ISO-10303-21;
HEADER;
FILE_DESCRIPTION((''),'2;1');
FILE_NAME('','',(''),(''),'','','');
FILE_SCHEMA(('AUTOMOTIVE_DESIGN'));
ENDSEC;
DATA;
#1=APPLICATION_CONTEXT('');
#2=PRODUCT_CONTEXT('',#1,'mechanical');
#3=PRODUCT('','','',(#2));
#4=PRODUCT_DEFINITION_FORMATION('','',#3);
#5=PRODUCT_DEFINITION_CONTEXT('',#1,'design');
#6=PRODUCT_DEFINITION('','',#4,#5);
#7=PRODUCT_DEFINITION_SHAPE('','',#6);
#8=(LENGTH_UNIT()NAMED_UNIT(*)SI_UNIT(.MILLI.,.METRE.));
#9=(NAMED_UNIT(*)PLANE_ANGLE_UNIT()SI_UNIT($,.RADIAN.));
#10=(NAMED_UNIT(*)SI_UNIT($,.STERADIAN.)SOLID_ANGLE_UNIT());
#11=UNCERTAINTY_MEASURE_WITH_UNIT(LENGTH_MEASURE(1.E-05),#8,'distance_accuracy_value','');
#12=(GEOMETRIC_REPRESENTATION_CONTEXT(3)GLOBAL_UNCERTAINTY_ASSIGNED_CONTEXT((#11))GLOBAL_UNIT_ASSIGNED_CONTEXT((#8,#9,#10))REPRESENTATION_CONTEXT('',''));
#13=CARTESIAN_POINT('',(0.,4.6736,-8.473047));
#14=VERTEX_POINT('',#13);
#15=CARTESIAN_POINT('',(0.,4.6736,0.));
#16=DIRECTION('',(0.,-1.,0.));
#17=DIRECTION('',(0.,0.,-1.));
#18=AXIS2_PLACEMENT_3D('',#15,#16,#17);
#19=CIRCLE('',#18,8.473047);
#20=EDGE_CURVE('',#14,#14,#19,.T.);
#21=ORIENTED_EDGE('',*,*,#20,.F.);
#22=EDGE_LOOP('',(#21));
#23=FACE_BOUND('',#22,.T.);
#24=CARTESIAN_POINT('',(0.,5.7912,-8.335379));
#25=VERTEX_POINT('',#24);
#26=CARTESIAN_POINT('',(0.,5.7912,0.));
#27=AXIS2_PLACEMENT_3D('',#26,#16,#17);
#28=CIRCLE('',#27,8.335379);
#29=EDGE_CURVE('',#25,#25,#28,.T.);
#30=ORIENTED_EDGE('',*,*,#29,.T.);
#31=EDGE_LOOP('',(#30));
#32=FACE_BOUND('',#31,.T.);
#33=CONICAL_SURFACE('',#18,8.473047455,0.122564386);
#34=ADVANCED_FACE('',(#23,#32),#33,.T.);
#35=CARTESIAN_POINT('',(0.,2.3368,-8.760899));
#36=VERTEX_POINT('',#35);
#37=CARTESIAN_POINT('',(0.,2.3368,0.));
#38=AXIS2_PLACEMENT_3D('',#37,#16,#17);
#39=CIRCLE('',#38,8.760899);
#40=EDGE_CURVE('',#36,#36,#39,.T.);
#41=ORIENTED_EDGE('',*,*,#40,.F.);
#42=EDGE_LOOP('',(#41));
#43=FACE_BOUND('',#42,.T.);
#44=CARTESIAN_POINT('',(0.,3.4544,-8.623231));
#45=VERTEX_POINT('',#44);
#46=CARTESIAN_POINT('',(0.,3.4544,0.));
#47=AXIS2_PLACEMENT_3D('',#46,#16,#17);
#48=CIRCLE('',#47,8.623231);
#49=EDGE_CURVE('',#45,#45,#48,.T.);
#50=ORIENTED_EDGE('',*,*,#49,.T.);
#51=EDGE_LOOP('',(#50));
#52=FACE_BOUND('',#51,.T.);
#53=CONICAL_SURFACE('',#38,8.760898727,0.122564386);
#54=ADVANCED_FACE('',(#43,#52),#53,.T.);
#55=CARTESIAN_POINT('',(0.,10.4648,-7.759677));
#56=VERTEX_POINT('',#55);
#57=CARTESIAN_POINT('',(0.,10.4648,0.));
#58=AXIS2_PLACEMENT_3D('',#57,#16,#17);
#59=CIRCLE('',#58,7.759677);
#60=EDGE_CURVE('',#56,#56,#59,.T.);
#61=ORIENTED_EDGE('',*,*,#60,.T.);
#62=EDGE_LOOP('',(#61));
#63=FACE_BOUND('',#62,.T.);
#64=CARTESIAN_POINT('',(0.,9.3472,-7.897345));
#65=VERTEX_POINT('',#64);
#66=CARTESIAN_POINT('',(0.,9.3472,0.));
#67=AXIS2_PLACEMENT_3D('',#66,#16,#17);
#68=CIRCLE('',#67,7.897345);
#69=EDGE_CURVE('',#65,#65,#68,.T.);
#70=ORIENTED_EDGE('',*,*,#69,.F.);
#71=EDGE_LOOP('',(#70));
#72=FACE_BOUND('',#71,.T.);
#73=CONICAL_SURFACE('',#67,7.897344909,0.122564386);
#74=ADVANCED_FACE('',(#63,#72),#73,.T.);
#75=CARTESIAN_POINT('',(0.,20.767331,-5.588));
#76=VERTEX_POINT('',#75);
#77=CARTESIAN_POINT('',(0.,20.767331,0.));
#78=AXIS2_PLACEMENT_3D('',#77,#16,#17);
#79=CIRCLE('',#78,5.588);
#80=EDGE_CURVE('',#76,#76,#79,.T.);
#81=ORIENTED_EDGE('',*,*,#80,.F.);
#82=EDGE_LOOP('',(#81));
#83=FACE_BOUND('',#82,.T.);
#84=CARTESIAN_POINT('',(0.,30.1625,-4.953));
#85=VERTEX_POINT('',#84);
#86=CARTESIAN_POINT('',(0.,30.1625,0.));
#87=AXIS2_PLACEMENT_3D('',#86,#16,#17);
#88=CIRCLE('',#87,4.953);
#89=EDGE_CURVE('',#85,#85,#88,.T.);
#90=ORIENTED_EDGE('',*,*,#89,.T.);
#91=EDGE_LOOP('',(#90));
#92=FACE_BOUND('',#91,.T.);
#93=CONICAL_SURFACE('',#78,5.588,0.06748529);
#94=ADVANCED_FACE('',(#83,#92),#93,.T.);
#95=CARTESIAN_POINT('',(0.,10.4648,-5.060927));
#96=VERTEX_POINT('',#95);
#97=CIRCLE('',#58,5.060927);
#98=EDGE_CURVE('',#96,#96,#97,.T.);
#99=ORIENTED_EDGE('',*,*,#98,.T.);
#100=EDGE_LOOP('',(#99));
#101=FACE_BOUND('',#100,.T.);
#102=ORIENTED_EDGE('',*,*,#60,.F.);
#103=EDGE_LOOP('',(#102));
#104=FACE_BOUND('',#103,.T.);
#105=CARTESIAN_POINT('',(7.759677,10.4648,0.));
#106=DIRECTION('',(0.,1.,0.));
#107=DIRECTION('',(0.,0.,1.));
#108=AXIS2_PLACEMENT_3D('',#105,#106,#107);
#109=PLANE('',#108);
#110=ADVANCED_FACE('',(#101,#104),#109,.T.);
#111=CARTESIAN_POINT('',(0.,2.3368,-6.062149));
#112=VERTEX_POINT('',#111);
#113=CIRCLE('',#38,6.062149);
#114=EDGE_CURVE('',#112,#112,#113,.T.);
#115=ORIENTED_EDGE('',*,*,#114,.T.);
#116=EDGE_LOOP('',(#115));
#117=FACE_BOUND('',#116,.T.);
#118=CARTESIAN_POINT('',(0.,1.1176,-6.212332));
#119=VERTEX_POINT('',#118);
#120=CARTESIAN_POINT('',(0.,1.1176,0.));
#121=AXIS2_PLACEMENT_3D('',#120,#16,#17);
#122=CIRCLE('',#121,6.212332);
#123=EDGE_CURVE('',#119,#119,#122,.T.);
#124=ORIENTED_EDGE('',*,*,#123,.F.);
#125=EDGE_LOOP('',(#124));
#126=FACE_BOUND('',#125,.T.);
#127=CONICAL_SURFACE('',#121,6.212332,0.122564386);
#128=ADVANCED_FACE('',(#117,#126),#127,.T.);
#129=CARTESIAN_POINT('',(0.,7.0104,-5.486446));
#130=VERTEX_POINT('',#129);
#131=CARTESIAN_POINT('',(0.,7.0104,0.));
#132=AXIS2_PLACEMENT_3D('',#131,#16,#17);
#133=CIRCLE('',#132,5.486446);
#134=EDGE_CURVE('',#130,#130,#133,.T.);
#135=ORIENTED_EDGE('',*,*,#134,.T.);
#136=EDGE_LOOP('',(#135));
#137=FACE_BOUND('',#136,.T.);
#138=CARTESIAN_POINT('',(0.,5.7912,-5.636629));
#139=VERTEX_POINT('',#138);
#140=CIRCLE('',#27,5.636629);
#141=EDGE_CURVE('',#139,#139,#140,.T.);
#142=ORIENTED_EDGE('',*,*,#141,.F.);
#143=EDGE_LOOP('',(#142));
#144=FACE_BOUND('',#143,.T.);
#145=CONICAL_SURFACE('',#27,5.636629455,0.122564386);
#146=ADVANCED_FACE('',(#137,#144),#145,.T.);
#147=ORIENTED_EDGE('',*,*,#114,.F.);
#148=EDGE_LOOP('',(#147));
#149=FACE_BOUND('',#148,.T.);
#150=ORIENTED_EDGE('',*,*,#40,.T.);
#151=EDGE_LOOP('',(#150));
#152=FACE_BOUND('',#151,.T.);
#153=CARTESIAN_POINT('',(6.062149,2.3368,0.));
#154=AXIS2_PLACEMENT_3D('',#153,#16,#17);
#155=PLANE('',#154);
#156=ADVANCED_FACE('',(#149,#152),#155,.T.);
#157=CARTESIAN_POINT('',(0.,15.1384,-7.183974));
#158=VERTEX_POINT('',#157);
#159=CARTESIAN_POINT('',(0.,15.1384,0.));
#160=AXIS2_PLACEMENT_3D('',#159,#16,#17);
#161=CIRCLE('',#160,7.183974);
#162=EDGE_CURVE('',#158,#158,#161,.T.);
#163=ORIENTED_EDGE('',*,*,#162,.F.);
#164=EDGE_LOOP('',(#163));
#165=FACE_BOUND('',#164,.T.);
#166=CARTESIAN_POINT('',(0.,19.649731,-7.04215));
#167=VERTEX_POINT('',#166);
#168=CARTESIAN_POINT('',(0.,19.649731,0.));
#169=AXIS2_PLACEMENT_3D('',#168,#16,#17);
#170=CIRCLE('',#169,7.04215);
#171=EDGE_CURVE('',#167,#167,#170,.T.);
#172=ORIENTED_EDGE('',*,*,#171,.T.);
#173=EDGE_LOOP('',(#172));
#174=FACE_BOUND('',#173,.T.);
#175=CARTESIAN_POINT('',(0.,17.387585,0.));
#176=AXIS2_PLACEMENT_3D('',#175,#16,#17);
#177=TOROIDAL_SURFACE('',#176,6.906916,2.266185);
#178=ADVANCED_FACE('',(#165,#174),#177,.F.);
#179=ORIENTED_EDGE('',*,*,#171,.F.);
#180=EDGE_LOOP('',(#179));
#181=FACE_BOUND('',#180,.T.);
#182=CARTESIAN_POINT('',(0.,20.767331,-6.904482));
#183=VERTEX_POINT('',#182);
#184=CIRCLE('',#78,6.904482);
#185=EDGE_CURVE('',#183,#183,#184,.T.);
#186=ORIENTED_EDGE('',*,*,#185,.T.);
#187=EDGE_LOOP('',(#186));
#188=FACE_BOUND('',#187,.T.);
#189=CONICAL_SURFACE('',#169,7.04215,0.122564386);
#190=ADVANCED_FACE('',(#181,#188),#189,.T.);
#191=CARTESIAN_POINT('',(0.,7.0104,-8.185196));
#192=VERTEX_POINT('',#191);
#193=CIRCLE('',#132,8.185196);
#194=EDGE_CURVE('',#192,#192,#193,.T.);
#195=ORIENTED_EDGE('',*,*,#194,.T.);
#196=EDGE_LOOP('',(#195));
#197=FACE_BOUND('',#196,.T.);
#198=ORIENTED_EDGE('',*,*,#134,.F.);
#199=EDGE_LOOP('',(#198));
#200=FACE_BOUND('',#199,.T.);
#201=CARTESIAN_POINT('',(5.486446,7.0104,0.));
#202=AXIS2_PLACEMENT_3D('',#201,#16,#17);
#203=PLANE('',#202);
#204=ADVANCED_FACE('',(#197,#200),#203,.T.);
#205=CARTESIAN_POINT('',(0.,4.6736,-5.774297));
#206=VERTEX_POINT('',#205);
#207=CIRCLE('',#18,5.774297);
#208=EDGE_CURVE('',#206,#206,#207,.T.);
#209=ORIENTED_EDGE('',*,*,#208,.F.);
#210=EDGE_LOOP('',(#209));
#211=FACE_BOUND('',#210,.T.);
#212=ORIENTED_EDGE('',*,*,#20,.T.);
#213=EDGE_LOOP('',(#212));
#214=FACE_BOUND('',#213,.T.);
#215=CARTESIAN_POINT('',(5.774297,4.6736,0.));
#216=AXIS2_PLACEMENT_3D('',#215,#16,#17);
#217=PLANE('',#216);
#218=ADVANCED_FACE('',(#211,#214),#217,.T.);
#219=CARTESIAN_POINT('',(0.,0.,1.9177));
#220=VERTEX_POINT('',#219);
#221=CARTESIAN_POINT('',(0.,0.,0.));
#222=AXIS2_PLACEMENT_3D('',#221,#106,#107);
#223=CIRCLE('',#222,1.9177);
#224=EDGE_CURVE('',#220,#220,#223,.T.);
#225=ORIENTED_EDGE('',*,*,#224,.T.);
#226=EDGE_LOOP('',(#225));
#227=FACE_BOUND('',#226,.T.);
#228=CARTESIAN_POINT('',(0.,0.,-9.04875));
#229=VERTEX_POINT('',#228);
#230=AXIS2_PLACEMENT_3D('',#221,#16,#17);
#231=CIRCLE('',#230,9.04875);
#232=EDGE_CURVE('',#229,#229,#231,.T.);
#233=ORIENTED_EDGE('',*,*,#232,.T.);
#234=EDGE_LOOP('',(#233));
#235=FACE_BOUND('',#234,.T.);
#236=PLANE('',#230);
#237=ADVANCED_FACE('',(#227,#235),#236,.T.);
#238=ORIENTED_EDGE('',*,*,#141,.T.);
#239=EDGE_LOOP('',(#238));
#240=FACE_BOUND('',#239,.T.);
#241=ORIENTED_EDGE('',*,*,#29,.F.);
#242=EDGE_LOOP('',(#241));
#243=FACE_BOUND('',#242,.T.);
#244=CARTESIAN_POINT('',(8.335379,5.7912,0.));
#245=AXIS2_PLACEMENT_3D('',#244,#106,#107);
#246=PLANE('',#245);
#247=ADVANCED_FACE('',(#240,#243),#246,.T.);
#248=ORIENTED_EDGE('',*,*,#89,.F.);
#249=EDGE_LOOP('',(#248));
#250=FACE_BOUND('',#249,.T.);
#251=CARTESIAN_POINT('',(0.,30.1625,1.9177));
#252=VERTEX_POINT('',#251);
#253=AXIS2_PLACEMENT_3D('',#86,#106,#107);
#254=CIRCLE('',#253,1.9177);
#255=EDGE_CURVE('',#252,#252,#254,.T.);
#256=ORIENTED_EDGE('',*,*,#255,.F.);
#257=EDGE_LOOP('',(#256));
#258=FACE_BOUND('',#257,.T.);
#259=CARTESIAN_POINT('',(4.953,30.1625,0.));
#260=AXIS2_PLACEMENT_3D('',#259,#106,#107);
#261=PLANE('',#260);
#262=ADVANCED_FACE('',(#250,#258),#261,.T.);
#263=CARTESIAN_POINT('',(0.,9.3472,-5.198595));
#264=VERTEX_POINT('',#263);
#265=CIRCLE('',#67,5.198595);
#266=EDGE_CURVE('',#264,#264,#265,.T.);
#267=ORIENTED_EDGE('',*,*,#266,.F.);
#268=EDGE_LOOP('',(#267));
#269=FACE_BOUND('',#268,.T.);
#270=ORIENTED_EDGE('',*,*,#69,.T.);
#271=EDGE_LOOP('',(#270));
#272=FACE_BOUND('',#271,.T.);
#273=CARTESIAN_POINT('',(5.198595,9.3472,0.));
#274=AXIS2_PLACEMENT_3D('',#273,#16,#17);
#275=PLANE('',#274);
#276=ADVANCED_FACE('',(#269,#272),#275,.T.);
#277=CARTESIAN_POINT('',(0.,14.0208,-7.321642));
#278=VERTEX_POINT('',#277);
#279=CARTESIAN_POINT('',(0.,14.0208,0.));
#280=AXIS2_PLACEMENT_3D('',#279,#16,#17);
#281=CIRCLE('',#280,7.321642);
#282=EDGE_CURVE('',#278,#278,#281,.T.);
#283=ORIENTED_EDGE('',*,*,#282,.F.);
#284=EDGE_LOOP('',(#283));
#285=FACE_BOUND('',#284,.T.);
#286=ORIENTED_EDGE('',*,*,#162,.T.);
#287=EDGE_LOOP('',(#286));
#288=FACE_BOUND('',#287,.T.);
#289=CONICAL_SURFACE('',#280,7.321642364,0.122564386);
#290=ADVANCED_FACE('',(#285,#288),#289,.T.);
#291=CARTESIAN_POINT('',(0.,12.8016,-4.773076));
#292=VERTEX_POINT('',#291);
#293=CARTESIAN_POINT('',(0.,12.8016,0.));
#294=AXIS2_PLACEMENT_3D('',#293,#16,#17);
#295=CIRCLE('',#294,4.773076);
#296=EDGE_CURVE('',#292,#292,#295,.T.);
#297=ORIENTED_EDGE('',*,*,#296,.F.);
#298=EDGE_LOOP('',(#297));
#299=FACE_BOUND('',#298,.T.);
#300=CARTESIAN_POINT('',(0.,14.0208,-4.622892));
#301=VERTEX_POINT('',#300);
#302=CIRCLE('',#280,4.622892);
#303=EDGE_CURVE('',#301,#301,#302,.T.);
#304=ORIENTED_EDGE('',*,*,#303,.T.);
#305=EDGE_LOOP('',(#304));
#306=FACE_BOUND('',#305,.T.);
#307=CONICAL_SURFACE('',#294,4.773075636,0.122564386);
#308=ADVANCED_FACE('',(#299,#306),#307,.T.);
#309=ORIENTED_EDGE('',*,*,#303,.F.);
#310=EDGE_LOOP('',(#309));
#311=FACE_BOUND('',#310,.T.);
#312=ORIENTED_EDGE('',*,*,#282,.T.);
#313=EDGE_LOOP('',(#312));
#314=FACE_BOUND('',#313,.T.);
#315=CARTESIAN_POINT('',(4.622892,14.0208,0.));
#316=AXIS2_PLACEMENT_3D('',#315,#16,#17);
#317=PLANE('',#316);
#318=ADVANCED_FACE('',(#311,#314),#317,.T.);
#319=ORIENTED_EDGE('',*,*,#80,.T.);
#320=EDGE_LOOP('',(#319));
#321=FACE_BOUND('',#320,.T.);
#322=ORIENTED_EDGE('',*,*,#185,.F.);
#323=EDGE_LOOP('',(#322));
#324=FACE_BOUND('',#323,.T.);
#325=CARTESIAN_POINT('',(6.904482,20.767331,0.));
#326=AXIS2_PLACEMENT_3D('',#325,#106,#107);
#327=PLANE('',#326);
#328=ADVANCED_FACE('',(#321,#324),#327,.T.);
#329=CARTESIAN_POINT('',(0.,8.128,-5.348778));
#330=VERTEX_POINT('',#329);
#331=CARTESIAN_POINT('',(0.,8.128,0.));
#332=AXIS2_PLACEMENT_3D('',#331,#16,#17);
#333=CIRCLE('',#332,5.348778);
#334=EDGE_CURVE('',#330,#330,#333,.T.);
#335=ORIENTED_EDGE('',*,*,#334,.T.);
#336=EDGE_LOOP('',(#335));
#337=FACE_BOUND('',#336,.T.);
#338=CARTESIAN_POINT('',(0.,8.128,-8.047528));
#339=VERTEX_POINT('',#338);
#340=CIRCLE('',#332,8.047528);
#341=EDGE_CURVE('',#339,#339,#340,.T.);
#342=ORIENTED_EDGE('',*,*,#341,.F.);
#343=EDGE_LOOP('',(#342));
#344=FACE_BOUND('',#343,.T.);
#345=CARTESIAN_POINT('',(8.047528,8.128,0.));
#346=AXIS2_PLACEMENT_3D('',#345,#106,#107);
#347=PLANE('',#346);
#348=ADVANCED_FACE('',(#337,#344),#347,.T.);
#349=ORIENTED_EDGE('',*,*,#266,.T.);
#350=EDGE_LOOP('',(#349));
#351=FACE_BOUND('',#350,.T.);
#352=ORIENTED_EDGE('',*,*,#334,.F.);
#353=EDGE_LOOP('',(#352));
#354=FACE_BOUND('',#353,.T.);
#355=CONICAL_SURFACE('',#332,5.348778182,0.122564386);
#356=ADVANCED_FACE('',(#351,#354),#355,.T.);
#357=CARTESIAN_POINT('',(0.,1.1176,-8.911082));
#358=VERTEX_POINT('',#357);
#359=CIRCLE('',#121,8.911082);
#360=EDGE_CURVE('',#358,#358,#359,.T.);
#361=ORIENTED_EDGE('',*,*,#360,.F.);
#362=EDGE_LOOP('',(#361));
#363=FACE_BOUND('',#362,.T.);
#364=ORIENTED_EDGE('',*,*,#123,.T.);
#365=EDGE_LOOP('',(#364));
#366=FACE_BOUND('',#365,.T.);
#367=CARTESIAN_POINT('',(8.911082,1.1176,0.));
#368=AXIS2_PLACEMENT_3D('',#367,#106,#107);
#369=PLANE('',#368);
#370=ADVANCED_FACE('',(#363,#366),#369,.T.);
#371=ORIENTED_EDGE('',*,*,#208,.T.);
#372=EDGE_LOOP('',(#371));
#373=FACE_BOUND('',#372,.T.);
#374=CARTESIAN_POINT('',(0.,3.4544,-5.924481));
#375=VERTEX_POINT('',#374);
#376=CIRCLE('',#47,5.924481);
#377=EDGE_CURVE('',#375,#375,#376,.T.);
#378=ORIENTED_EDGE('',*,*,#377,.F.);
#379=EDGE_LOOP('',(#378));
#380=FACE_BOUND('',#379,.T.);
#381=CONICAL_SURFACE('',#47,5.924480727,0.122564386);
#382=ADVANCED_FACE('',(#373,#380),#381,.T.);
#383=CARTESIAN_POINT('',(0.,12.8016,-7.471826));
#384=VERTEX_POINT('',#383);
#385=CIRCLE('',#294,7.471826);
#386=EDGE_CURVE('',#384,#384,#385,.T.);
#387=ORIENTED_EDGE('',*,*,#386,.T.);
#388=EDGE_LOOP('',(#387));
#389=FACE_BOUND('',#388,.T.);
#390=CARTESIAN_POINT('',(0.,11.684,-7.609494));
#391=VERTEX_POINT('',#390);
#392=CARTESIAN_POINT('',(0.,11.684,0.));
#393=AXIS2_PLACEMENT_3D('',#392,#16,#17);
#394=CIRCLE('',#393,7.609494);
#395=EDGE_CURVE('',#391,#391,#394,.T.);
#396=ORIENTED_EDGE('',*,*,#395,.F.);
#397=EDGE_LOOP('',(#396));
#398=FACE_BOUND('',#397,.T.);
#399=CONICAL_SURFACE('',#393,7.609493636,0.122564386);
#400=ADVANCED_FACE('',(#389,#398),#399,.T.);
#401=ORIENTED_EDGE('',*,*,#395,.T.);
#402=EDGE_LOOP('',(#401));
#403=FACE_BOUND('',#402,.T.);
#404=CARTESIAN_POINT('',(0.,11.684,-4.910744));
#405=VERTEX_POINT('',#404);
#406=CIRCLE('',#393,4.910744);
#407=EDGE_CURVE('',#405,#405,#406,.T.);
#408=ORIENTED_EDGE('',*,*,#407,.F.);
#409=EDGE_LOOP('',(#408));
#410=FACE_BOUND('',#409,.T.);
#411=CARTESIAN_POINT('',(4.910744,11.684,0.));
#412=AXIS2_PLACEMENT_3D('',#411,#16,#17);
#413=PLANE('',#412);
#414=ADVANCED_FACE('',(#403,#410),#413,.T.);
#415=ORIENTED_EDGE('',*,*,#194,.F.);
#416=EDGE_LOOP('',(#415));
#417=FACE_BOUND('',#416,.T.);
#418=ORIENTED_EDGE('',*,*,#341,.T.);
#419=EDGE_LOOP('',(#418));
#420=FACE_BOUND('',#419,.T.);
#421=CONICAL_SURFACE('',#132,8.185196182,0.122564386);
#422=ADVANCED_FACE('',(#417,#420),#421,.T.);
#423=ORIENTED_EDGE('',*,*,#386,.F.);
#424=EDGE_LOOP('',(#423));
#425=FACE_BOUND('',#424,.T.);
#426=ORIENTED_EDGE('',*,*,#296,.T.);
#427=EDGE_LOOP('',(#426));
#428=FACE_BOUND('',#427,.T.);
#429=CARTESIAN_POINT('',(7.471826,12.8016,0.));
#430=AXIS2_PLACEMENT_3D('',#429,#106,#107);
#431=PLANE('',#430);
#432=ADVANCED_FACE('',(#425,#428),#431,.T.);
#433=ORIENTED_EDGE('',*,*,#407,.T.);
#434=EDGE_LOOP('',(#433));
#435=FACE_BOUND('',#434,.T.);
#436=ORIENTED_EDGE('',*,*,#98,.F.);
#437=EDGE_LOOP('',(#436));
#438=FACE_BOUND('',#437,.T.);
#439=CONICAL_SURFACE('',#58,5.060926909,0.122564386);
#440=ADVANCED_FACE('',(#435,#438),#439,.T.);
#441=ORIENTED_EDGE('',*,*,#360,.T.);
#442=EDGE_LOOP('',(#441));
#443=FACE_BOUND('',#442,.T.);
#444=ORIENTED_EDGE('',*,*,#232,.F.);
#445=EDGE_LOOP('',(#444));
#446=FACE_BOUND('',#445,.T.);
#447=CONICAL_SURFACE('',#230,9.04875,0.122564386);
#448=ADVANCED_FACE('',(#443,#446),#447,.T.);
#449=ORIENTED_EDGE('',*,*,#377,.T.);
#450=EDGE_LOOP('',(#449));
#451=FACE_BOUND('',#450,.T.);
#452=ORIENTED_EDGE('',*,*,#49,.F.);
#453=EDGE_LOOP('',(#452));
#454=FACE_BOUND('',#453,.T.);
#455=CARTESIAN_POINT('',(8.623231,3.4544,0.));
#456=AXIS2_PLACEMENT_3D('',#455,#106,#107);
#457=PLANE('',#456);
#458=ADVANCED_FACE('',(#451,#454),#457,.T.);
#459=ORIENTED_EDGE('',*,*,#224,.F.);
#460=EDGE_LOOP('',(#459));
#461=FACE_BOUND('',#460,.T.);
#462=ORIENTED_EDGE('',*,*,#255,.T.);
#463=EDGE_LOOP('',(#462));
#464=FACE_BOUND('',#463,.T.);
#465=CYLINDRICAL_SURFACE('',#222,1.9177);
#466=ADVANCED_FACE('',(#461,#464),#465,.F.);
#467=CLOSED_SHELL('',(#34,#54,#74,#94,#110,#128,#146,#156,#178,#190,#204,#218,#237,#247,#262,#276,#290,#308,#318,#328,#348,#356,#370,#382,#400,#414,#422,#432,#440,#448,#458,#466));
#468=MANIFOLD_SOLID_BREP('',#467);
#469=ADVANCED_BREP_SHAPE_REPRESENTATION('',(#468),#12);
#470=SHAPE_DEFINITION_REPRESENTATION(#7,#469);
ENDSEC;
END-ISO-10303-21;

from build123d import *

# Parameters (mm, degrees)
SKETCH2_R          = 1.9177
CUT_EXTRUDE1_DEPTH = 33.764861657


with BuildPart() as part:
    # Sketch1 → Revolve1 (revolve)
    with BuildSketch(Plane.XY, mode=Mode.PRIVATE) as revolve1_sk:
        with BuildLine():
            Line((0, 0), (0, 30.1625))
            Line((0, 30.1625), (4.953, 30.1625))
            Line((4.953, 30.1625), (5.588, 20.76733075))
            Line((5.588, 20.76733075), (6.904482, 20.76733075))
            Line((6.904482, 20.76733075), (7.04215, 19.64973075))
            ThreePointArc((7.04215, 19.64973075), (4.64185, 17.316376969), (7.183974364, 15.1384))
            Line((7.183974364, 15.1384), (7.321642364, 14.0208))
            Line((7.321642364, 14.0208), (4.622892364, 14.0208))
            Line((4.622892364, 14.0208), (4.773075636, 12.8016))
            Line((4.773075636, 12.8016), (7.471825636, 12.8016))
            Line((7.471825636, 12.8016), (7.609493636, 11.684))
            Line((7.609493636, 11.684), (4.910743636, 11.684))
            Line((4.910743636, 11.684), (5.060926909, 10.4648))
            Line((5.060926909, 10.4648), (7.759676909, 10.4648))
            Line((7.759676909, 10.4648), (7.897344909, 9.3472))
            Line((7.897344909, 9.3472), (5.198594909, 9.3472))
            Line((5.198594909, 9.3472), (5.348778182, 8.128))
            Line((5.348778182, 8.128), (8.047528182, 8.128))
            Line((8.047528182, 8.128), (8.185196182, 7.0104))
            Line((8.185196182, 7.0104), (5.486446182, 7.0104))
            Line((5.486446182, 7.0104), (5.636629455, 5.7912))
            Line((5.636629455, 5.7912), (8.335379455, 5.7912))
            Line((8.335379455, 5.7912), (8.473047455, 4.6736))
            Line((8.473047455, 4.6736), (5.774297455, 4.6736))
            Line((5.774297455, 4.6736), (5.924480727, 3.4544))
            Line((5.924480727, 3.4544), (8.623230727, 3.4544))
            Line((8.623230727, 3.4544), (8.760898727, 2.3368))
            Line((8.760898727, 2.3368), (6.062148727, 2.3368))
            Line((6.062148727, 2.3368), (6.212332, 1.1176))
            Line((6.212332, 1.1176), (8.911082, 1.1176))
            Line((8.911082, 1.1176), (9.04875, 0))
            Line((9.04875, 0), (0, 0))
        make_face()
    revolve(revolve1_sk.sketch.rotate(Axis((0, 0, 0), (0, 1, 0)), 90), axis=Axis((0, 0, 0), (0, 1, 0)))

    # Sketch2 → Cut-Extrude1 (cut, through all)
    with BuildSketch(Plane(origin=(0, 30.1625, 0), x_dir=(1, 0, 0), z_dir=(0, 1, 0))):
        with Locations(Location((0, 0, 0), (0, 0, 270))):
            Circle(SKETCH2_R)
    extrude(amount=-CUT_EXTRUDE1_DEPTH, mode=Mode.SUBTRACT)


solid = part.part
